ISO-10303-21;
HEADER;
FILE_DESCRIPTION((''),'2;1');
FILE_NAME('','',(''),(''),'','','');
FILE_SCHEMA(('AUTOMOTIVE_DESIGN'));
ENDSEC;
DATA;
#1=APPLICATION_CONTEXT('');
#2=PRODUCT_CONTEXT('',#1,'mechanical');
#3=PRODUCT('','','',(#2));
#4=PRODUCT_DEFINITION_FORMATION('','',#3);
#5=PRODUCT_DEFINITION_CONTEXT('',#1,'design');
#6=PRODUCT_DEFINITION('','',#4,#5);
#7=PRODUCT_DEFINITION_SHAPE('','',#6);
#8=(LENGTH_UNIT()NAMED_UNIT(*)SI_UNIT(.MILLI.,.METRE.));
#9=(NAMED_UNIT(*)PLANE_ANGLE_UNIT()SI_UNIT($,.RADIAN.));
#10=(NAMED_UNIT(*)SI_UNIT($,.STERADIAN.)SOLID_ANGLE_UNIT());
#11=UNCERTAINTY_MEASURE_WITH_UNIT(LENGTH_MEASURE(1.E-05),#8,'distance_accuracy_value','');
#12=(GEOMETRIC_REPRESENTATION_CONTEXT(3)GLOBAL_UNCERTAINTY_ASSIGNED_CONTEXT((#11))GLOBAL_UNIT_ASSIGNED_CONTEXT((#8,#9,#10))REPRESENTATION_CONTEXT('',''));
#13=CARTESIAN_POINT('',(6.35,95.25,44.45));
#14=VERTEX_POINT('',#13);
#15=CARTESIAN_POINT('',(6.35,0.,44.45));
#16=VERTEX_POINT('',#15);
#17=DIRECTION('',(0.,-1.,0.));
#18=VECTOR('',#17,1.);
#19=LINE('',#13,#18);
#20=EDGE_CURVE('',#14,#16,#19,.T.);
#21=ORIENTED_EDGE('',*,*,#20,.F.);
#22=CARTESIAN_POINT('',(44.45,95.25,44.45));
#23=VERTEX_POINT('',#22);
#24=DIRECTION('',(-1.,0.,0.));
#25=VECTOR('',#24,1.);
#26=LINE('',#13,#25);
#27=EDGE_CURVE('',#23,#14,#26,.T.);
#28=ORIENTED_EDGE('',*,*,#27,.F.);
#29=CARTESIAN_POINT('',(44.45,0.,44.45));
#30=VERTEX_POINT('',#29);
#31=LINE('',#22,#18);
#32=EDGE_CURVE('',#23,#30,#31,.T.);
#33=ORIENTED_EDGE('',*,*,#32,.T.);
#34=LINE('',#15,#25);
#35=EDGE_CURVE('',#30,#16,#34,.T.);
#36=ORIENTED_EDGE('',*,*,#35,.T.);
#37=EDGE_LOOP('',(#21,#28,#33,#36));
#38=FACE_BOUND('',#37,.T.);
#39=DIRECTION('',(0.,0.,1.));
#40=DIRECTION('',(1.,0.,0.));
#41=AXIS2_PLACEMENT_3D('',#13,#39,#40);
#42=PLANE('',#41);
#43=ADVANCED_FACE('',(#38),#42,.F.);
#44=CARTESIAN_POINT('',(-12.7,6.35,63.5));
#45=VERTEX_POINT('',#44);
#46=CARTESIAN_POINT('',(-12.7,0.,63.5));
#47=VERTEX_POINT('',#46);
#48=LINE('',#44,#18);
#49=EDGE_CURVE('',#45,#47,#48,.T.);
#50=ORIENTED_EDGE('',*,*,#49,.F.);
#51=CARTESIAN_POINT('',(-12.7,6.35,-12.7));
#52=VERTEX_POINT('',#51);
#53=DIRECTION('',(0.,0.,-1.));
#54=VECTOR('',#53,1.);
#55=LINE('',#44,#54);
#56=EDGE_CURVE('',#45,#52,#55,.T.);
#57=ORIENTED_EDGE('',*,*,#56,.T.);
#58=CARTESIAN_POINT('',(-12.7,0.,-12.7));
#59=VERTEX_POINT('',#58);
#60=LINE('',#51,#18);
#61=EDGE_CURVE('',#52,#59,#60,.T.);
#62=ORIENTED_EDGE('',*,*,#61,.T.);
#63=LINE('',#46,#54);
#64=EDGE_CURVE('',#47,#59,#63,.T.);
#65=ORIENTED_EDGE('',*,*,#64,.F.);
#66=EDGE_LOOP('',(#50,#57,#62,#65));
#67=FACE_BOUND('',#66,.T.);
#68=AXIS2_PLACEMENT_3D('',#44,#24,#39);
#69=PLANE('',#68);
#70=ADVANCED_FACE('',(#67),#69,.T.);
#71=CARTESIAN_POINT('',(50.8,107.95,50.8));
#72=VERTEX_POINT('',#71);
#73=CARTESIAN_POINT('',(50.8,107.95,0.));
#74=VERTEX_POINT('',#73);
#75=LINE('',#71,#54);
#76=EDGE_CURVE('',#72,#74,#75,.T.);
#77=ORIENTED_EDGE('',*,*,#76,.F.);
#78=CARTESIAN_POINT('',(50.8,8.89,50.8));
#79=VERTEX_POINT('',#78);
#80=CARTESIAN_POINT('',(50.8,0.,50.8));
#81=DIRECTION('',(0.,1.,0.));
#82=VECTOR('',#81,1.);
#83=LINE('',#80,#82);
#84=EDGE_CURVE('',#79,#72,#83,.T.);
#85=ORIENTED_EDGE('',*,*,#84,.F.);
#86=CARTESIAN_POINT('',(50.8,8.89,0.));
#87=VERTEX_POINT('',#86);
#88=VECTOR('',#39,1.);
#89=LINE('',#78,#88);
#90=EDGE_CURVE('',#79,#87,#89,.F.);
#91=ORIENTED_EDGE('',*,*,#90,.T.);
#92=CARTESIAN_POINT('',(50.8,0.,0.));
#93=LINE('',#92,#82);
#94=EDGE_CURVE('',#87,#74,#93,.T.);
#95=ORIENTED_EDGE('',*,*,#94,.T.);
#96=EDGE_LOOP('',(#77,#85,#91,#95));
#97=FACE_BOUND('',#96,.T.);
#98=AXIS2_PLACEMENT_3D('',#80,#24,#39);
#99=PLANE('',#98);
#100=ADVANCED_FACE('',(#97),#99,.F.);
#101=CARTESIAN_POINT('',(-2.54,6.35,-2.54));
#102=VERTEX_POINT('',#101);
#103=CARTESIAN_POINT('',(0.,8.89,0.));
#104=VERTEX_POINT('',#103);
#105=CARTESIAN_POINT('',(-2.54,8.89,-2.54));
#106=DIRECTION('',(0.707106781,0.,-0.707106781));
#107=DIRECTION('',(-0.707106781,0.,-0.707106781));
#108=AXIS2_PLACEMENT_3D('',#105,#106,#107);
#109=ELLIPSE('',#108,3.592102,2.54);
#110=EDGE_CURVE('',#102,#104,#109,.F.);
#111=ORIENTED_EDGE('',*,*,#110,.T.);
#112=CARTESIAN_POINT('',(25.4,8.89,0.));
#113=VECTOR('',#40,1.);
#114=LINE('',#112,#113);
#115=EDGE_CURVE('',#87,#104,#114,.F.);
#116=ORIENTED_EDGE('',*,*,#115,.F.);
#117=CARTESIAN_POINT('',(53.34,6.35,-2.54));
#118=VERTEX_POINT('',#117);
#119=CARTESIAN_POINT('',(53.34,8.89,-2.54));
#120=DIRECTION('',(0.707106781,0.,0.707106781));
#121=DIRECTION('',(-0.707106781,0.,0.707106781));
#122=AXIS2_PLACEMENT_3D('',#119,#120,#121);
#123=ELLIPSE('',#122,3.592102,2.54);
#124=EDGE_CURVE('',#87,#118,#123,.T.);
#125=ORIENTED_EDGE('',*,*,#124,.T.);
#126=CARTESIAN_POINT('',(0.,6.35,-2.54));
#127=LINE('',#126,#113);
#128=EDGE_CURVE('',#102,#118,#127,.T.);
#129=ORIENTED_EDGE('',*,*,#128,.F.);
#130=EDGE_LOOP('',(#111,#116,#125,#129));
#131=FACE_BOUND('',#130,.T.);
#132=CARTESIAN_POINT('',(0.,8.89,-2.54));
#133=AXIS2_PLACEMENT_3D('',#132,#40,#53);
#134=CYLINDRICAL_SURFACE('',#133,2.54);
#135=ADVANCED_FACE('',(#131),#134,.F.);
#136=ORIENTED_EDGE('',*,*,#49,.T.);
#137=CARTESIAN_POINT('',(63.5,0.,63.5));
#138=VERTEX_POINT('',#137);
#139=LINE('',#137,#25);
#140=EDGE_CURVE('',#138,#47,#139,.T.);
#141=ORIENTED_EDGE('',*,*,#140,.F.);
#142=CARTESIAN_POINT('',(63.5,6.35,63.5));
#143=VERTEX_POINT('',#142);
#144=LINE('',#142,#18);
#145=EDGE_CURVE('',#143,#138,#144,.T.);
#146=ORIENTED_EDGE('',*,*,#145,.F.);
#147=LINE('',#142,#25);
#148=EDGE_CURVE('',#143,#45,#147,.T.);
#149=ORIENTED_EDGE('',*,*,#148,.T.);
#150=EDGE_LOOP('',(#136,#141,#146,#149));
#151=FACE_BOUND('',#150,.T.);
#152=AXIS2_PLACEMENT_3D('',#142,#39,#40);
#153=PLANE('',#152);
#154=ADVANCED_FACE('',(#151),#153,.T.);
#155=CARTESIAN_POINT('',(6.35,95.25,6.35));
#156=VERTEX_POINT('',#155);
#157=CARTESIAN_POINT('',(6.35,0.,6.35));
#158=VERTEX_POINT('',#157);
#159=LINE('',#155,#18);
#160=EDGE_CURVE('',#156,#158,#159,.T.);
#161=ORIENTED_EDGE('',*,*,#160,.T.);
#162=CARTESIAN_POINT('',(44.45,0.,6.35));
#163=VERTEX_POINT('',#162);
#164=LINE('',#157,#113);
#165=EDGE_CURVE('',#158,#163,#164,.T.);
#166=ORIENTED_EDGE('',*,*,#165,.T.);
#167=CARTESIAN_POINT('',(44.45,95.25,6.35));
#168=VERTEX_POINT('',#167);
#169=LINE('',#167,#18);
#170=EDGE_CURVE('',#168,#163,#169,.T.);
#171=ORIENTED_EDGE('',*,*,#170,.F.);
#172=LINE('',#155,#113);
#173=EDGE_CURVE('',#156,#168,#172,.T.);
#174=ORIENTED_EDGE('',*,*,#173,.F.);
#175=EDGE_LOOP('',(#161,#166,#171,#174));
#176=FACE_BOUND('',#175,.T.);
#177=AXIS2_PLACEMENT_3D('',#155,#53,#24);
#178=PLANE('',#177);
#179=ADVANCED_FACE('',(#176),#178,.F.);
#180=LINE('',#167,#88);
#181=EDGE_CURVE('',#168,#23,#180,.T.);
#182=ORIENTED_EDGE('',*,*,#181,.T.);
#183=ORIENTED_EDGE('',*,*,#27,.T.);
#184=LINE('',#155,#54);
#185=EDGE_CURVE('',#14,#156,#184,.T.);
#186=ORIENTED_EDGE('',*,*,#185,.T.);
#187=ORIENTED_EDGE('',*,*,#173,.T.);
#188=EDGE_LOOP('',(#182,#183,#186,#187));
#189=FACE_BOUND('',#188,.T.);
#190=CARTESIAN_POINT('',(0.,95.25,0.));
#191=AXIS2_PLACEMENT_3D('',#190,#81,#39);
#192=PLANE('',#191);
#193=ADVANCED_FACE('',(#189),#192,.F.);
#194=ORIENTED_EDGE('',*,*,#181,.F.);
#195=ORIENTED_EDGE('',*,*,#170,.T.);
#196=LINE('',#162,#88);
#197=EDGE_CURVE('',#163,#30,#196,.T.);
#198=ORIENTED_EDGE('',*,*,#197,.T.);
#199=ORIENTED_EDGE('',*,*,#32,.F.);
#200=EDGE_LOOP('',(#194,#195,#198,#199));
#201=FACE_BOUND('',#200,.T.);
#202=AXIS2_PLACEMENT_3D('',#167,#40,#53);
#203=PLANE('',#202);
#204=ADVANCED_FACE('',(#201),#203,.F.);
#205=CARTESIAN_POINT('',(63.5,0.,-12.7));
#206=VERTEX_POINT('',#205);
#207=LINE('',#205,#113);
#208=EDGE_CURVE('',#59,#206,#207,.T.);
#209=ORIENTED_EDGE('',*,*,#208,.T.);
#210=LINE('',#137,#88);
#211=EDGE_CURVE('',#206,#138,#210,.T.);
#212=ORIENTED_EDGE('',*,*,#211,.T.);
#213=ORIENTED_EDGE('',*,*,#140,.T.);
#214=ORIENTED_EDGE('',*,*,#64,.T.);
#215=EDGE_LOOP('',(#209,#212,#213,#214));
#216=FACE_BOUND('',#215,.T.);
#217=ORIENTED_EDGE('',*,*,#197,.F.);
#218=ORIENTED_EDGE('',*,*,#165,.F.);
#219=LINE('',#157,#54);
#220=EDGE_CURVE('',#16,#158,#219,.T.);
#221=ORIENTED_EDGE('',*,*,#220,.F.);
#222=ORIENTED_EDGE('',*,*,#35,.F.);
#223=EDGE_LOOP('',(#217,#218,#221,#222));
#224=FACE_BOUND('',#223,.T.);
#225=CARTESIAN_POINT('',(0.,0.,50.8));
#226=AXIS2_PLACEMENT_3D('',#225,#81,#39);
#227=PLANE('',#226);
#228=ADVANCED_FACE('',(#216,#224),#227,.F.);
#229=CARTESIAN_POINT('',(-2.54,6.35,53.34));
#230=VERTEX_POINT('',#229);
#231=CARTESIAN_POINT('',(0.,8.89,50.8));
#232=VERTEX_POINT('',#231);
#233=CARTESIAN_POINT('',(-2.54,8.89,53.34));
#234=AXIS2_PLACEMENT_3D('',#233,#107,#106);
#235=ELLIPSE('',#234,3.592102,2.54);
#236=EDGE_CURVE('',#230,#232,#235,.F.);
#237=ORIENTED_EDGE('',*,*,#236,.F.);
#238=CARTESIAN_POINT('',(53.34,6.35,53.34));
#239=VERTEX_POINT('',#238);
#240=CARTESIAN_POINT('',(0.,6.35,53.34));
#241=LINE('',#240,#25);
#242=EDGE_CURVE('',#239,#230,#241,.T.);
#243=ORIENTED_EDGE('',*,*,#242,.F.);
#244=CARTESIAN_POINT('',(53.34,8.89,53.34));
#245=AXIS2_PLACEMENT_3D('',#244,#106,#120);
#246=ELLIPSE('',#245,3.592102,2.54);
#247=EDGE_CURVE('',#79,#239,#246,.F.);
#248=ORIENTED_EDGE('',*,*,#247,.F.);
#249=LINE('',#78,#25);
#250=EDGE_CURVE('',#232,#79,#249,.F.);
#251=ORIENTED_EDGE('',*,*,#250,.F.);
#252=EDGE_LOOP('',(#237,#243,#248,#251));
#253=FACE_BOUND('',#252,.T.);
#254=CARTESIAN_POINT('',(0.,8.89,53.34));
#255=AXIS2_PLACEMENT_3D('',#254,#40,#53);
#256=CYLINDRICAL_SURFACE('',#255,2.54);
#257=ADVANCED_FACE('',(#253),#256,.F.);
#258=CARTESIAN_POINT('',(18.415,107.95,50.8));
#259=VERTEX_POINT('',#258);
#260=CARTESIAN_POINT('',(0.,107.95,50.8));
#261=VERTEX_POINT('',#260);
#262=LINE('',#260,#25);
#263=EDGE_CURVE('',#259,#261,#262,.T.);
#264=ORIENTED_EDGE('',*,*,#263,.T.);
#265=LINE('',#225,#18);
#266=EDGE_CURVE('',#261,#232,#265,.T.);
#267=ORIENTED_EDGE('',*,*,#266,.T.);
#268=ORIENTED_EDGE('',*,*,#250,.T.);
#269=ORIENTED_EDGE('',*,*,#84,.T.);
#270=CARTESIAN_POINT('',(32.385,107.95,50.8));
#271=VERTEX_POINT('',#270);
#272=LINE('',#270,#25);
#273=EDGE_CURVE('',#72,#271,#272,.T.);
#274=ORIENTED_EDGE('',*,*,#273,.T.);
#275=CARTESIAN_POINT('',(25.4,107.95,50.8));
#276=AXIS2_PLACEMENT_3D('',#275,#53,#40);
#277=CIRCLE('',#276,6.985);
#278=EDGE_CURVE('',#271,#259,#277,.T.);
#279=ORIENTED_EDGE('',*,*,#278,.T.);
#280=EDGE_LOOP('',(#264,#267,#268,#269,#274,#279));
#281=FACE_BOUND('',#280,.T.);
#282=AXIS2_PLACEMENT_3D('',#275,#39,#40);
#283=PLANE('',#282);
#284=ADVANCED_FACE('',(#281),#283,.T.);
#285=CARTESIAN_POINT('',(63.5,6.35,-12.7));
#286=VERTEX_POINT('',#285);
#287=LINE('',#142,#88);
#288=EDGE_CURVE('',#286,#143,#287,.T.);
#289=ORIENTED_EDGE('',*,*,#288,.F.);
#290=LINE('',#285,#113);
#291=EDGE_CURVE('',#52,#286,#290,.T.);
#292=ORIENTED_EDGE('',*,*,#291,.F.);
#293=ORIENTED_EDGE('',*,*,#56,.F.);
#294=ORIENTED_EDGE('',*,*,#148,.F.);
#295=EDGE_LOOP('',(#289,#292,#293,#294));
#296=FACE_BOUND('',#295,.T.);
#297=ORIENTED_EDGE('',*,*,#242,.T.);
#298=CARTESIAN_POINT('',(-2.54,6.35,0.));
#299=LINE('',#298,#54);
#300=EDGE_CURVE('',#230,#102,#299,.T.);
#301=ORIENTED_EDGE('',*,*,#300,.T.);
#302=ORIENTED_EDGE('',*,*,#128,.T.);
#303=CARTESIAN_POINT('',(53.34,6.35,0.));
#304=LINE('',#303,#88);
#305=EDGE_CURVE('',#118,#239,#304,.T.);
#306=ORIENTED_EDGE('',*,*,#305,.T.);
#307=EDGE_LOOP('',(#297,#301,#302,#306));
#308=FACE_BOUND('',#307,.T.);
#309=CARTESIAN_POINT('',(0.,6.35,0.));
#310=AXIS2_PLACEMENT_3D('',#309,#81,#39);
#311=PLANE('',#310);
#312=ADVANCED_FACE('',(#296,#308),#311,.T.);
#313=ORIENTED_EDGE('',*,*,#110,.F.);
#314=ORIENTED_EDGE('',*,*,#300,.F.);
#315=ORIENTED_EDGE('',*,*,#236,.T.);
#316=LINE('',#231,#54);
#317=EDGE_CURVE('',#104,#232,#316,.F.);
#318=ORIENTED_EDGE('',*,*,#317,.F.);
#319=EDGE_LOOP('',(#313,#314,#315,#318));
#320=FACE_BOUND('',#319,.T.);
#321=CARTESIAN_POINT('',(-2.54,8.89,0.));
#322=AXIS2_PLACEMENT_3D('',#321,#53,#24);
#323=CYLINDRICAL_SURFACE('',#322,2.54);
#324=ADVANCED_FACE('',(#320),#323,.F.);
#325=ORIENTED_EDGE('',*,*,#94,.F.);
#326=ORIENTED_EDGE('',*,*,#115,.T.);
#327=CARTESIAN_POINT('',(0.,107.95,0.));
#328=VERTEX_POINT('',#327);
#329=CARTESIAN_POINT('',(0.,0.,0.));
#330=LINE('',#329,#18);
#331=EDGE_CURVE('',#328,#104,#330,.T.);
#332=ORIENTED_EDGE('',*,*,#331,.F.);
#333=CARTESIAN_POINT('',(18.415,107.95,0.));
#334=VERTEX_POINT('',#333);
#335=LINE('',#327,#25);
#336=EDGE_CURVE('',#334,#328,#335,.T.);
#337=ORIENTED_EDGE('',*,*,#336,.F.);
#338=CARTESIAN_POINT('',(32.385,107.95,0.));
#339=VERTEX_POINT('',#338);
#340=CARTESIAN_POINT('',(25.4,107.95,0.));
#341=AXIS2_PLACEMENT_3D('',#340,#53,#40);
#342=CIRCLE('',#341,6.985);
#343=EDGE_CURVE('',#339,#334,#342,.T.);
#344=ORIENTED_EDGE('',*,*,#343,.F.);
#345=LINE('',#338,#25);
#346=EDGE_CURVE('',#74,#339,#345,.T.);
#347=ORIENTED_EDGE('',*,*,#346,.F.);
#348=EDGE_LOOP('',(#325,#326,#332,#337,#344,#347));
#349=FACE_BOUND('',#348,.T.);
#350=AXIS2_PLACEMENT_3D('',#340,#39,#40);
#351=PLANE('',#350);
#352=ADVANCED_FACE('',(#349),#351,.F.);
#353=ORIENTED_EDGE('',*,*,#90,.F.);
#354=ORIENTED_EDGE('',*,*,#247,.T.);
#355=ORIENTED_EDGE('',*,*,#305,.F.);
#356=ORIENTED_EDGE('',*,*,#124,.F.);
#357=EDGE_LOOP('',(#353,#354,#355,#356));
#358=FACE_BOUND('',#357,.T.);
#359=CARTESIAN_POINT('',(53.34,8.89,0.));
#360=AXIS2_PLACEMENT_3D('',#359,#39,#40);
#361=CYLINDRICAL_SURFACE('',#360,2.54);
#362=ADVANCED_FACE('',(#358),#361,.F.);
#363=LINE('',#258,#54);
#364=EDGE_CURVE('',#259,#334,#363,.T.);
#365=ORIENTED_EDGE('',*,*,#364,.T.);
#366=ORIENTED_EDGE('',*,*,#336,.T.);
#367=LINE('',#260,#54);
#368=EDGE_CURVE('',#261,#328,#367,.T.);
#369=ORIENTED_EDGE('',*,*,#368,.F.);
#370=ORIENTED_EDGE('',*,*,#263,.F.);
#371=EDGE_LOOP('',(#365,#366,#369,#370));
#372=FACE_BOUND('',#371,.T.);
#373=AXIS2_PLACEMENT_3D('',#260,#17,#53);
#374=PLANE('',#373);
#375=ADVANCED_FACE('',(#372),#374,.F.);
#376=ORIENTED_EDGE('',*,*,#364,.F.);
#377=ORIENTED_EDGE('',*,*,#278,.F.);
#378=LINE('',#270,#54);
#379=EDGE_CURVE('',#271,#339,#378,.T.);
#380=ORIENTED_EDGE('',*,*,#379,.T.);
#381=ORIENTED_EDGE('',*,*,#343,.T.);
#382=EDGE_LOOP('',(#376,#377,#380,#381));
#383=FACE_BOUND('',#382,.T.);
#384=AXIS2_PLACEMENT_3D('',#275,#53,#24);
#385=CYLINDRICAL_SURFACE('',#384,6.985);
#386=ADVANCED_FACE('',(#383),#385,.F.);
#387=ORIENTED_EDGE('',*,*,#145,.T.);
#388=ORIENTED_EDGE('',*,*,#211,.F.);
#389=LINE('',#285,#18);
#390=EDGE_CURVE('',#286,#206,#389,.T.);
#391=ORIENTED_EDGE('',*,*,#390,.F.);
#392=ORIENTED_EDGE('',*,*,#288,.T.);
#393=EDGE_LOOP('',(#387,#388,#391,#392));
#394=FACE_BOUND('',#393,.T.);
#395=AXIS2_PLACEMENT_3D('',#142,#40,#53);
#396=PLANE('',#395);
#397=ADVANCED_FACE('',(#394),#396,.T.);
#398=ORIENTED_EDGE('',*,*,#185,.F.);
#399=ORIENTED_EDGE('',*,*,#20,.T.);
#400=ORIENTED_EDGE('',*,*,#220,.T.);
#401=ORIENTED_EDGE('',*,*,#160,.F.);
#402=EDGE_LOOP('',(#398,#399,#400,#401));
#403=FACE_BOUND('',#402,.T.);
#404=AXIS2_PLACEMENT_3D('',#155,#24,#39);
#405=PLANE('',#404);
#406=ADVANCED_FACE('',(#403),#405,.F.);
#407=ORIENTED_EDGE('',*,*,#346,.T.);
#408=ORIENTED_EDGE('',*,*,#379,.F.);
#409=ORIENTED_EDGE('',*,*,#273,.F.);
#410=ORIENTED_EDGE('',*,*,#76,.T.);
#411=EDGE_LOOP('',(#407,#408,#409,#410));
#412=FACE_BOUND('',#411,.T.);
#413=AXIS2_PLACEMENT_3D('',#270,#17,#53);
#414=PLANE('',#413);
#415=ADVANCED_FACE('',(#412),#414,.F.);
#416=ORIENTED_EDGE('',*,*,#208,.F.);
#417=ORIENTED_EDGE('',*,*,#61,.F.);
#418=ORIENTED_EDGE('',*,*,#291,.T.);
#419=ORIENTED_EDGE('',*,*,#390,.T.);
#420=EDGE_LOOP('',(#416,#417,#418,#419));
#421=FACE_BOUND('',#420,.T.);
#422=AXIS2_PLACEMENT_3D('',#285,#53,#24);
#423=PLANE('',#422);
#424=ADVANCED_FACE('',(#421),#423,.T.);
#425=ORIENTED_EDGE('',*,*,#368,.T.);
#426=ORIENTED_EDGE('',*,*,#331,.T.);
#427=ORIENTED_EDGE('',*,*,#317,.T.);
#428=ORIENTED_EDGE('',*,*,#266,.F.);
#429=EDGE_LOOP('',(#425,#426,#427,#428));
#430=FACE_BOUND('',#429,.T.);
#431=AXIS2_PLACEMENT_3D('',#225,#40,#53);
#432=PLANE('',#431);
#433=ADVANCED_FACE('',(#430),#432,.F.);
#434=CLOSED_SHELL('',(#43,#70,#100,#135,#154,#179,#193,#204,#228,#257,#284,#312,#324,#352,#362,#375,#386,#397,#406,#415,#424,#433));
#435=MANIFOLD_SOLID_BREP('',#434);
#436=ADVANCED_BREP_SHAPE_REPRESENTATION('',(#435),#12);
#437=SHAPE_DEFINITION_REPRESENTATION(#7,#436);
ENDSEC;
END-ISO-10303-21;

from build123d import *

# Parameters (mm, degrees)
BOSS_EXTRUDE1_DEPTH = 50.8
SKETCH2_W           = 38.1
SKETCH2_H           = 38.1
CUT_EXTRUDE1_DEPTH  = 95.25
SKETCH3_W           = 76.2
SKETCH3_H           = 76.2
SKETCH3_W_2         = 50.8
SKETCH3_H_2         = 50.8
BOSS_EXTRUDE2_DEPTH = 6.35
FILLET1_R           = 2.54


with BuildPart() as part:
    # Sketch1 → Boss-Extrude1 (new body)
    with BuildSketch(Plane.XY):
        with BuildLine():
            Line((32.385, 107.95), (50.8, 107.95))
            Line((50.8, 107.95), (50.8, 0))
            Line((50.8, 0), (0, 0))
            Line((0, 0), (0, 107.95))
            Line((0, 107.95), (18.415, 107.95))
            ThreePointArc((18.415, 107.95), (25.4, 100.965), (32.385, 107.95))
        make_face()
    extrude(amount=BOSS_EXTRUDE1_DEPTH)

    # Sketch2 → Cut-Extrude1 (cut)
    with BuildSketch(Plane.XZ):
        with Locations((25.4, 25.4)):
            Rectangle(SKETCH2_W, SKETCH2_H)
    extrude(amount=-CUT_EXTRUDE1_DEPTH, mode=Mode.SUBTRACT)

    # Sketch3 → Boss-Extrude2 (add)
    with BuildSketch(Plane.XZ):
        with Locations((25.4, 25.4)):
            Rectangle(SKETCH3_W, SKETCH3_H)
        with Locations((25.4, 25.4)):
            Rectangle(SKETCH3_W_2, SKETCH3_H_2, mode=Mode.SUBTRACT)
    extrude(amount=-BOSS_EXTRUDE2_DEPTH)

    # Fillet1
    fillet1_edges = [part.edges().sort_by_distance(p)[0] for p in [
        (50.8, 6.35, 25.4),
        (25.4, 6.35, 50.8),
        (0, 6.35, 25.4),
        (25.4, 6.35, 0),
    ]]
    fillet(fillet1_edges, radius=FILLET1_R)


solid = part.part
